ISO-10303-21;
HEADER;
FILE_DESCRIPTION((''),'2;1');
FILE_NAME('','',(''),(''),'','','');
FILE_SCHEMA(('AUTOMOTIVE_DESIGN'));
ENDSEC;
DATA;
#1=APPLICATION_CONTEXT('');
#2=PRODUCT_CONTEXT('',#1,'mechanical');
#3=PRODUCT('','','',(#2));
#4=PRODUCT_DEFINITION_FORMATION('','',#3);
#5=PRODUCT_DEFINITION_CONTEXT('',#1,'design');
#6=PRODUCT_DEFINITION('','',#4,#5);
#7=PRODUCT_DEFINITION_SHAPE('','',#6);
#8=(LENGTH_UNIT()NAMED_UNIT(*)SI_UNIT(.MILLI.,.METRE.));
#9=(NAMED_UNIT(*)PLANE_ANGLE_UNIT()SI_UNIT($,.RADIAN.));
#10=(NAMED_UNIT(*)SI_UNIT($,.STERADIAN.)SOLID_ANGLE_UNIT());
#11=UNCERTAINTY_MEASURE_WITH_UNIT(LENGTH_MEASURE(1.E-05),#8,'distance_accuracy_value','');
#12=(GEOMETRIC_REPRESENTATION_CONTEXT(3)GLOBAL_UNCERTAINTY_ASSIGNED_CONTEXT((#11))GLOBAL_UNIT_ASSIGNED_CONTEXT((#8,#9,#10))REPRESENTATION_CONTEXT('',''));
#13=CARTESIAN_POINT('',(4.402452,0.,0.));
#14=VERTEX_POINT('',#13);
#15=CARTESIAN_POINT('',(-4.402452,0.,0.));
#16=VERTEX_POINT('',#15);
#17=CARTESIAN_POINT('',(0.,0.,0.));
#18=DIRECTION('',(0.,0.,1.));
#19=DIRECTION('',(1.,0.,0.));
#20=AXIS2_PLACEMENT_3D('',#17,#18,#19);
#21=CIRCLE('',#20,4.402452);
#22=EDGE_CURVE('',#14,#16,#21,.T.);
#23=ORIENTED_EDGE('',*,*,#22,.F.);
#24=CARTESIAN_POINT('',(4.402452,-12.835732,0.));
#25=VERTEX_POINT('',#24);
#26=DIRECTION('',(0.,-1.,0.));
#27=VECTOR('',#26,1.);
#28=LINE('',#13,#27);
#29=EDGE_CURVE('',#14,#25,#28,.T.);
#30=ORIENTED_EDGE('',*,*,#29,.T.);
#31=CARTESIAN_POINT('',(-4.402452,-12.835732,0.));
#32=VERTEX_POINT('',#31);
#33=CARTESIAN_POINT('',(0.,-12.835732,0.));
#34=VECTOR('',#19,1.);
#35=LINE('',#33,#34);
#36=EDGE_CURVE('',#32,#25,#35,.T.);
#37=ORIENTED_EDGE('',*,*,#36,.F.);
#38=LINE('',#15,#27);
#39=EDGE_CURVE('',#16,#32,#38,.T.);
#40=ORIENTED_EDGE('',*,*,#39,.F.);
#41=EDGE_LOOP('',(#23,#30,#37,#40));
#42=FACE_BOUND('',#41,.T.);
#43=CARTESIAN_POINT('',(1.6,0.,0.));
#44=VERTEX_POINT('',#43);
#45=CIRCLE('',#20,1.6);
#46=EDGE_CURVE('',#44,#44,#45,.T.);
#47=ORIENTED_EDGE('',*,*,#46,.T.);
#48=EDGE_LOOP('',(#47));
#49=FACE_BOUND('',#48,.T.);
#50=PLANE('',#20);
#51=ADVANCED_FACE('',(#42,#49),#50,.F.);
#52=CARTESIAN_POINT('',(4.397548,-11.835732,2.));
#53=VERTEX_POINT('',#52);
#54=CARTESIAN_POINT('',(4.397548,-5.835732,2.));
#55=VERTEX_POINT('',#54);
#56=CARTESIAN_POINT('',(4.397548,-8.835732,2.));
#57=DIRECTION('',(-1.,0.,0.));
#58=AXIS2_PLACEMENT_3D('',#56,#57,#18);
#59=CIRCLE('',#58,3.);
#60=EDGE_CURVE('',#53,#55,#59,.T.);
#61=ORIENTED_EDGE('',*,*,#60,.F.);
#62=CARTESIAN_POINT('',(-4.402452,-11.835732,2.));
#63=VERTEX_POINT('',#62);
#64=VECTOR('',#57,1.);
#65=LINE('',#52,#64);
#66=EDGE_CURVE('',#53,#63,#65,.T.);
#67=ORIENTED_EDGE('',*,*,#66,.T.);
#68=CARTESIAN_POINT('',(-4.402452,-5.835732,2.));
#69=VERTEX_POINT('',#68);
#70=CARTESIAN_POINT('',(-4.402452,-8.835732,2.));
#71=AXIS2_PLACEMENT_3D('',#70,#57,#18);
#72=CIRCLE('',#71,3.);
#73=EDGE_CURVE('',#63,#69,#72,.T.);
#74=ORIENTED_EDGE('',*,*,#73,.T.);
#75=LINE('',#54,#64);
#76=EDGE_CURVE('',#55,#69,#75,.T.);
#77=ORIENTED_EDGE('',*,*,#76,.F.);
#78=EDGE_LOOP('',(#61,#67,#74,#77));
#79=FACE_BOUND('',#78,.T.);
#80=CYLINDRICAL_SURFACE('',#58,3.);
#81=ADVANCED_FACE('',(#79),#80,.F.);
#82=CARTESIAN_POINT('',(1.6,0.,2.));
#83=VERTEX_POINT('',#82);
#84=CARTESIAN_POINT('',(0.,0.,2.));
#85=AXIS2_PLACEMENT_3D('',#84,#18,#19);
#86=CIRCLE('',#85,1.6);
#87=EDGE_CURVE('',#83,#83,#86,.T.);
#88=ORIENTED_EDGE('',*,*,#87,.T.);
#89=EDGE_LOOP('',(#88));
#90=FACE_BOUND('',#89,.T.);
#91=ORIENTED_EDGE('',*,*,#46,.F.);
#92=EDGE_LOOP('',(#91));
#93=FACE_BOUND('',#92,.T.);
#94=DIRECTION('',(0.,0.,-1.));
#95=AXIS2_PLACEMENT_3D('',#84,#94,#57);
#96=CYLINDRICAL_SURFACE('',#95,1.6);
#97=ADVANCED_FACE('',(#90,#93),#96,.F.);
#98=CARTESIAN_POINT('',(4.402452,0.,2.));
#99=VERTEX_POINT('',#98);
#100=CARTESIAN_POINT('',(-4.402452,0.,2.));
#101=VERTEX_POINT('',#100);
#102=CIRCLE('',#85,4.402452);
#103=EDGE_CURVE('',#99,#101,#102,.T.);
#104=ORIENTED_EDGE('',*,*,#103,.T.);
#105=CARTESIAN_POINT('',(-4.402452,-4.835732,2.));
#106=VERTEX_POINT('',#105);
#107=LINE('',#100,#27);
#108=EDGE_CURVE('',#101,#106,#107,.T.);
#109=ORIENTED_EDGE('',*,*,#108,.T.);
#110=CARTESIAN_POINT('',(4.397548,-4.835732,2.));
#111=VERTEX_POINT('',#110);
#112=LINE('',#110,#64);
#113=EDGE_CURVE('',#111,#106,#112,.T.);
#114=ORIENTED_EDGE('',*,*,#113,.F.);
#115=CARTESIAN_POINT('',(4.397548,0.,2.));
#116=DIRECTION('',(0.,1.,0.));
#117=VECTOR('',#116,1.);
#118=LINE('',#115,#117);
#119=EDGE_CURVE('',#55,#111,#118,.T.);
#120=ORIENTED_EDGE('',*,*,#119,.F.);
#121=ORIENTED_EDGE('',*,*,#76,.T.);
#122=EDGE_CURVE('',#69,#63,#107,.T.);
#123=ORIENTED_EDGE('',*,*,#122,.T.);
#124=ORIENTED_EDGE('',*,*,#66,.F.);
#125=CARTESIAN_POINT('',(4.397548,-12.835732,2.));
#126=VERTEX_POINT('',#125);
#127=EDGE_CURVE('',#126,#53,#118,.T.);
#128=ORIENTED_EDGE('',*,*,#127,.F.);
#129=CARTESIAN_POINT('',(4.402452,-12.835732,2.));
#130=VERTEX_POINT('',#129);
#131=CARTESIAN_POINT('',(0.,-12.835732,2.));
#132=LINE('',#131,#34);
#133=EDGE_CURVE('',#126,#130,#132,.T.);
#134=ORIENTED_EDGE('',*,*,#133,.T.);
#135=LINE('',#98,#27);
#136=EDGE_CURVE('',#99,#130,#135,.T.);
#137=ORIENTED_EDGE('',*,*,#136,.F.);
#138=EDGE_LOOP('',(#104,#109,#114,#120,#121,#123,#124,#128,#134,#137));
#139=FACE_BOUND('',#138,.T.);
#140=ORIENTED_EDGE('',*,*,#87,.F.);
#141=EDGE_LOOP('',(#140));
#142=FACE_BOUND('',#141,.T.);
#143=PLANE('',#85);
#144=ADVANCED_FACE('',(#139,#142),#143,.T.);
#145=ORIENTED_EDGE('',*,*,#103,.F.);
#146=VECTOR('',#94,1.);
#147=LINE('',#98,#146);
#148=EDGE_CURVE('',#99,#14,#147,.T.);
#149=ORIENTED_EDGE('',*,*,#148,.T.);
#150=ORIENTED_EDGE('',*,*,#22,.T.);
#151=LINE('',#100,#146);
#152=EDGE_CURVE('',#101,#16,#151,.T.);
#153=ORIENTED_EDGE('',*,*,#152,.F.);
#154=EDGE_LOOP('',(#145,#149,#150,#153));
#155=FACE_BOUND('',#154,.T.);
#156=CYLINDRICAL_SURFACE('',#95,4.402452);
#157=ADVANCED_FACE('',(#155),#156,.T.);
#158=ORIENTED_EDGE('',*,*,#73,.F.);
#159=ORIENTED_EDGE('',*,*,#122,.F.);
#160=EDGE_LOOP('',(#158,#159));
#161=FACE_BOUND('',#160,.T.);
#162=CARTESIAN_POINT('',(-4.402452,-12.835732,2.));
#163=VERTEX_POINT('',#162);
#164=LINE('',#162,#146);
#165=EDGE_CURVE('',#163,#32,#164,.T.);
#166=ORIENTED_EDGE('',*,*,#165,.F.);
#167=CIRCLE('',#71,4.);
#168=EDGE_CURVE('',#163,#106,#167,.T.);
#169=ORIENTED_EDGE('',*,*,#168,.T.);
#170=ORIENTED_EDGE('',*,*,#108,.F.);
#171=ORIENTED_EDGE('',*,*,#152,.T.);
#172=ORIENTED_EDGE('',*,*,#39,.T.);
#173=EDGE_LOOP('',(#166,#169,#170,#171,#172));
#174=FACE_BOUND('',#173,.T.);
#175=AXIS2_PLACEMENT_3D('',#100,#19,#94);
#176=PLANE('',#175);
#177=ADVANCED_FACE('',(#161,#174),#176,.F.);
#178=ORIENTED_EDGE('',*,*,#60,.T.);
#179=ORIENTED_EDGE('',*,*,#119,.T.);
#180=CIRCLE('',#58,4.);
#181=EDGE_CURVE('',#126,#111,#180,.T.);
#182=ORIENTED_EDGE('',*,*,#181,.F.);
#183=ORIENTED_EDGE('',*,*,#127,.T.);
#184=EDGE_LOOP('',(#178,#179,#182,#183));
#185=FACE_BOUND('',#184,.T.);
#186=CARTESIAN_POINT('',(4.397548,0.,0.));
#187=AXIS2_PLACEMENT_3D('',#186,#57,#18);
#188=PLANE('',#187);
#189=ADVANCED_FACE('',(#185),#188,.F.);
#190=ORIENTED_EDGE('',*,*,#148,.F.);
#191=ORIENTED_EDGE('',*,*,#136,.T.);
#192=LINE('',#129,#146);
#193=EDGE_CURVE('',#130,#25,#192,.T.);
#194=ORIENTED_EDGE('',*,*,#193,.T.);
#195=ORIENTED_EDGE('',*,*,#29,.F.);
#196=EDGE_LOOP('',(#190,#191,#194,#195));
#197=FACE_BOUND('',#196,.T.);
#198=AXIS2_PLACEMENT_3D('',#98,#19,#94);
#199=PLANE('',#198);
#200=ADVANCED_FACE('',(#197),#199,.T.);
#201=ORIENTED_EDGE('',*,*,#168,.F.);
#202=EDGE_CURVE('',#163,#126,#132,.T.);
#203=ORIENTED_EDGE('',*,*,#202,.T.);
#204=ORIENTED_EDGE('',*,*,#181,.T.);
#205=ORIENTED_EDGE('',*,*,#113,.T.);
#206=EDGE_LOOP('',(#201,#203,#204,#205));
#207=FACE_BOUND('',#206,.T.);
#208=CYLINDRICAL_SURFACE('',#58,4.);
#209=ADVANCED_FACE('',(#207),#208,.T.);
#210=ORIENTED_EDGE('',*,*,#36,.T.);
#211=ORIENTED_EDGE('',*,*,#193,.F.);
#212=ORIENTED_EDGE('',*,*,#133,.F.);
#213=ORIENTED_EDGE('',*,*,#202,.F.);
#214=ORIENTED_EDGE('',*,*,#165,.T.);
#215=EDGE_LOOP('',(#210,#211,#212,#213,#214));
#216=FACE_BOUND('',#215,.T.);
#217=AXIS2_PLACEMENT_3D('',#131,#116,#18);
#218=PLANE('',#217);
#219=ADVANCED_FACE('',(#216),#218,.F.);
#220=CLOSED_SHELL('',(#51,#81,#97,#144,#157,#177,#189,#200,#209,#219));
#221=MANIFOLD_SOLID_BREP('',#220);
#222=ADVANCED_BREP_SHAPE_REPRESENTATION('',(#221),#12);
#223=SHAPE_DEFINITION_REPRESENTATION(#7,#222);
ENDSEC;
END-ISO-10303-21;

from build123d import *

# Parameters (mm, degrees)
SKETCH_1_R      = 4.402451684
SKETCH_1_R_2    = 1.6
EXTRUDE_1_DEPTH = 2
EXTRUDE_4_DEPTH = 8.8


with BuildPart() as part:
    # 草图1 → 凸台-拉伸1 (new body)
    # profile 1 of 2: a face of its own
    with BuildSketch(Plane.XY):
        Circle(SKETCH_1_R)
        Circle(SKETCH_1_R_2, mode=Mode.SUBTRACT)
    # profile 2 of 2: a face of its own
    with BuildSketch(Plane.XY):
        with BuildLine():
            ThreePointArc((4.402451684, 0), (0, -4.402451684), (-4.402451684, 0))
            Line((-4.402451684, 0), (-4.402451684, -12.835731795))
            Line((-4.402451684, -12.835731795), (4.402451684, -12.835731795))
            Line((4.402451684, -12.835731795), (4.402451684, 0))
        make_face()
    extrude(amount=EXTRUDE_1_DEPTH)

    # 草图4 → 凸台-拉伸4 (add)
    with BuildSketch(Plane.ZY.offset(4.402451684)):
        with BuildLine():
            ThreePointArc((6, -8.835731795), (4.828427125, -6.00730467), (2, -4.835731795))
            Line((2, -4.835731795), (2, -5.835731795))
            ThreePointArc((2, -5.835731795), (4.121320344, -6.714411452), (5, -8.835731795))
            ThreePointArc((5, -8.835731795), (4.121320344, -10.957052139), (2, -11.835731795))
            Line((2, -11.835731795), (2, -12.835731795))
            ThreePointArc((2, -12.835731795), (4.828427125, -11.66415892), (6, -8.835731795))
        make_face()
    extrude(amount=-EXTRUDE_4_DEPTH)


solid = part.part
